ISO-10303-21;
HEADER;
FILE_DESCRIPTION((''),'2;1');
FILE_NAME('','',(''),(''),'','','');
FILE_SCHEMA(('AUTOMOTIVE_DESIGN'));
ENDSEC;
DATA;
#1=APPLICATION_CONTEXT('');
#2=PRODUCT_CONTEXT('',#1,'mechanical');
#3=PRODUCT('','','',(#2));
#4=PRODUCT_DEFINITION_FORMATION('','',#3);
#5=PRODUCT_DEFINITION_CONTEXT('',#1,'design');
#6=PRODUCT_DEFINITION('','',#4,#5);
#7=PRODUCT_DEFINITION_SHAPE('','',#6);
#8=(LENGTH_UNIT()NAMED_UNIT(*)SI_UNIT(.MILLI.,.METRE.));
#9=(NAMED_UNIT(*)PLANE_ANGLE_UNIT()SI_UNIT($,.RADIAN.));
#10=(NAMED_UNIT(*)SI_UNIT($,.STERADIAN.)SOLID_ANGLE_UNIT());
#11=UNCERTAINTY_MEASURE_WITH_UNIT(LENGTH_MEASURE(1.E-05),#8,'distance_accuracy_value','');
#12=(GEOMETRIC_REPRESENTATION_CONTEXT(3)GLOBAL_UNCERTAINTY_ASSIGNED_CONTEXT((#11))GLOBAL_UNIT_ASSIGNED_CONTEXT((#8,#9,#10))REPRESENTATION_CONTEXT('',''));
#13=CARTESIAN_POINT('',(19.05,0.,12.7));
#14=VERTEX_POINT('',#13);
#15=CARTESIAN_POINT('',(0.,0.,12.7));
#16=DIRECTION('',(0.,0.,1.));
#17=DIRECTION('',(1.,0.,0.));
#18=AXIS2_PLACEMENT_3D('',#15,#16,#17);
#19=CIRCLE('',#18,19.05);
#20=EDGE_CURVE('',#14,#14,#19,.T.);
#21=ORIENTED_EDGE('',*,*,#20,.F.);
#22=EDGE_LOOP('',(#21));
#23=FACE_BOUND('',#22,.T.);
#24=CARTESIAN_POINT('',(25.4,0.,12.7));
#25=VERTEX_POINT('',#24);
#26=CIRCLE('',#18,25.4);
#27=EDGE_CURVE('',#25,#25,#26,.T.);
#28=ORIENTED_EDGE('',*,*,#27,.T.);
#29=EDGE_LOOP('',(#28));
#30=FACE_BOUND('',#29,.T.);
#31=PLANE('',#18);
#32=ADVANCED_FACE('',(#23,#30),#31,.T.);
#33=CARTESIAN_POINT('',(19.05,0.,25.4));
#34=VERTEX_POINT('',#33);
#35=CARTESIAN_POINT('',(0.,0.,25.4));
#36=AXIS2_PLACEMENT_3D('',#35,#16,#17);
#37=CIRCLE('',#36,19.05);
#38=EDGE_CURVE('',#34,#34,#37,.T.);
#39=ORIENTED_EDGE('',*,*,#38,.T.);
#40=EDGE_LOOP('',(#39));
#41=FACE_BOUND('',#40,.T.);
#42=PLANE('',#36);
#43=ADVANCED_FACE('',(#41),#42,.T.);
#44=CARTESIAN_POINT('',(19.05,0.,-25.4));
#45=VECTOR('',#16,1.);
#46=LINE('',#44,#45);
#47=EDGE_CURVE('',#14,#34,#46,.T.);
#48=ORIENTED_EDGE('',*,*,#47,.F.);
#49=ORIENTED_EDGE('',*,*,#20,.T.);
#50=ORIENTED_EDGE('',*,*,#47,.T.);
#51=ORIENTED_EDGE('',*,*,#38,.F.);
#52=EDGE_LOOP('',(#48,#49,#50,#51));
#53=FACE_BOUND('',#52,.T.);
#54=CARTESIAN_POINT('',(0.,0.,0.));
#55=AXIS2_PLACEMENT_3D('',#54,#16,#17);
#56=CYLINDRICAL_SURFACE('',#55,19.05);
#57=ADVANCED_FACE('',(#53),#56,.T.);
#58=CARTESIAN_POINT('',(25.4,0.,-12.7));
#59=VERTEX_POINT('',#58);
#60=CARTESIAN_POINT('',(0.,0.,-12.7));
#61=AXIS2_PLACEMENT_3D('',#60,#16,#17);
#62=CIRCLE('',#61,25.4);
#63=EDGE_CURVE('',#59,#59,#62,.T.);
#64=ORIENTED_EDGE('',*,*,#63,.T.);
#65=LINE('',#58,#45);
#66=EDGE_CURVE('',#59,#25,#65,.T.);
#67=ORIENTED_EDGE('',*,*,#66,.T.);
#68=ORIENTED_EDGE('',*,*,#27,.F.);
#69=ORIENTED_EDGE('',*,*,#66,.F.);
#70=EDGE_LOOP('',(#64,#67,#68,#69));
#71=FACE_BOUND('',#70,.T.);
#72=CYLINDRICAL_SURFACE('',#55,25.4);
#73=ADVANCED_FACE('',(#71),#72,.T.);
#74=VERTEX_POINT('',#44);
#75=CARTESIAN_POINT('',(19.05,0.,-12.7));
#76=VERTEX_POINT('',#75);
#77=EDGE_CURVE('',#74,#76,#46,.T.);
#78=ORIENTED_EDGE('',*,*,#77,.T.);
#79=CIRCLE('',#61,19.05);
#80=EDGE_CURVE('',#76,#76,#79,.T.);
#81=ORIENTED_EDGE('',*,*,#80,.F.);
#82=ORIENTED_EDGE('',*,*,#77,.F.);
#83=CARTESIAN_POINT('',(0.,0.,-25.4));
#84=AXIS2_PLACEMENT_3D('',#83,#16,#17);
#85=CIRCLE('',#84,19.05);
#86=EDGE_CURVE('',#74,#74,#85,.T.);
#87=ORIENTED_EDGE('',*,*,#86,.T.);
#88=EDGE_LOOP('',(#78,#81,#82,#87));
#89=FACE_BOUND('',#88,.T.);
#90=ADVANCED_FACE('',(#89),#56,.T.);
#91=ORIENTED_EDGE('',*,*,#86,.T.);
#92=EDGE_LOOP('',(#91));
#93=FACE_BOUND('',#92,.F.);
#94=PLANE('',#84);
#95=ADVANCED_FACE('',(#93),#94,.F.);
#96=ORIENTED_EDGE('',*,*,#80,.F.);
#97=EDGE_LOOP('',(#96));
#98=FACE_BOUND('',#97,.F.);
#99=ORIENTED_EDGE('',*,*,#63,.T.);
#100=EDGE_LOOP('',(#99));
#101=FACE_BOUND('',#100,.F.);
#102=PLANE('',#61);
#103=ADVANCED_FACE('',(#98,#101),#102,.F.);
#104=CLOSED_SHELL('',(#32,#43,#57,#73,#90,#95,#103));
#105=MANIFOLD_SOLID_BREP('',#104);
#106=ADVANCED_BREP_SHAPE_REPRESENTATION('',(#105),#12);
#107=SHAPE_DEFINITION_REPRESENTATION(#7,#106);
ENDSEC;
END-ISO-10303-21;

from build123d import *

# Parameters (mm, degrees)
F0_R     = 19.05
F1_DEPTH = 25.4
F0_R_2   = 25.4
F2_DEPTH = 12.7


with BuildPart() as f1:
    # F0 (on Top) → F1 (new body, symmetric)
    with BuildSketch(Plane.XY):
        Circle(F0_R)
    extrude(amount=F1_DEPTH, both=True)

    # F0 (on Top) → F2 (join, symmetric)
    with BuildSketch(Plane.XY):
        Circle(F0_R_2)
        Circle(F0_R, mode=Mode.SUBTRACT)
    extrude(amount=F2_DEPTH, both=True)


solid = f1.part
